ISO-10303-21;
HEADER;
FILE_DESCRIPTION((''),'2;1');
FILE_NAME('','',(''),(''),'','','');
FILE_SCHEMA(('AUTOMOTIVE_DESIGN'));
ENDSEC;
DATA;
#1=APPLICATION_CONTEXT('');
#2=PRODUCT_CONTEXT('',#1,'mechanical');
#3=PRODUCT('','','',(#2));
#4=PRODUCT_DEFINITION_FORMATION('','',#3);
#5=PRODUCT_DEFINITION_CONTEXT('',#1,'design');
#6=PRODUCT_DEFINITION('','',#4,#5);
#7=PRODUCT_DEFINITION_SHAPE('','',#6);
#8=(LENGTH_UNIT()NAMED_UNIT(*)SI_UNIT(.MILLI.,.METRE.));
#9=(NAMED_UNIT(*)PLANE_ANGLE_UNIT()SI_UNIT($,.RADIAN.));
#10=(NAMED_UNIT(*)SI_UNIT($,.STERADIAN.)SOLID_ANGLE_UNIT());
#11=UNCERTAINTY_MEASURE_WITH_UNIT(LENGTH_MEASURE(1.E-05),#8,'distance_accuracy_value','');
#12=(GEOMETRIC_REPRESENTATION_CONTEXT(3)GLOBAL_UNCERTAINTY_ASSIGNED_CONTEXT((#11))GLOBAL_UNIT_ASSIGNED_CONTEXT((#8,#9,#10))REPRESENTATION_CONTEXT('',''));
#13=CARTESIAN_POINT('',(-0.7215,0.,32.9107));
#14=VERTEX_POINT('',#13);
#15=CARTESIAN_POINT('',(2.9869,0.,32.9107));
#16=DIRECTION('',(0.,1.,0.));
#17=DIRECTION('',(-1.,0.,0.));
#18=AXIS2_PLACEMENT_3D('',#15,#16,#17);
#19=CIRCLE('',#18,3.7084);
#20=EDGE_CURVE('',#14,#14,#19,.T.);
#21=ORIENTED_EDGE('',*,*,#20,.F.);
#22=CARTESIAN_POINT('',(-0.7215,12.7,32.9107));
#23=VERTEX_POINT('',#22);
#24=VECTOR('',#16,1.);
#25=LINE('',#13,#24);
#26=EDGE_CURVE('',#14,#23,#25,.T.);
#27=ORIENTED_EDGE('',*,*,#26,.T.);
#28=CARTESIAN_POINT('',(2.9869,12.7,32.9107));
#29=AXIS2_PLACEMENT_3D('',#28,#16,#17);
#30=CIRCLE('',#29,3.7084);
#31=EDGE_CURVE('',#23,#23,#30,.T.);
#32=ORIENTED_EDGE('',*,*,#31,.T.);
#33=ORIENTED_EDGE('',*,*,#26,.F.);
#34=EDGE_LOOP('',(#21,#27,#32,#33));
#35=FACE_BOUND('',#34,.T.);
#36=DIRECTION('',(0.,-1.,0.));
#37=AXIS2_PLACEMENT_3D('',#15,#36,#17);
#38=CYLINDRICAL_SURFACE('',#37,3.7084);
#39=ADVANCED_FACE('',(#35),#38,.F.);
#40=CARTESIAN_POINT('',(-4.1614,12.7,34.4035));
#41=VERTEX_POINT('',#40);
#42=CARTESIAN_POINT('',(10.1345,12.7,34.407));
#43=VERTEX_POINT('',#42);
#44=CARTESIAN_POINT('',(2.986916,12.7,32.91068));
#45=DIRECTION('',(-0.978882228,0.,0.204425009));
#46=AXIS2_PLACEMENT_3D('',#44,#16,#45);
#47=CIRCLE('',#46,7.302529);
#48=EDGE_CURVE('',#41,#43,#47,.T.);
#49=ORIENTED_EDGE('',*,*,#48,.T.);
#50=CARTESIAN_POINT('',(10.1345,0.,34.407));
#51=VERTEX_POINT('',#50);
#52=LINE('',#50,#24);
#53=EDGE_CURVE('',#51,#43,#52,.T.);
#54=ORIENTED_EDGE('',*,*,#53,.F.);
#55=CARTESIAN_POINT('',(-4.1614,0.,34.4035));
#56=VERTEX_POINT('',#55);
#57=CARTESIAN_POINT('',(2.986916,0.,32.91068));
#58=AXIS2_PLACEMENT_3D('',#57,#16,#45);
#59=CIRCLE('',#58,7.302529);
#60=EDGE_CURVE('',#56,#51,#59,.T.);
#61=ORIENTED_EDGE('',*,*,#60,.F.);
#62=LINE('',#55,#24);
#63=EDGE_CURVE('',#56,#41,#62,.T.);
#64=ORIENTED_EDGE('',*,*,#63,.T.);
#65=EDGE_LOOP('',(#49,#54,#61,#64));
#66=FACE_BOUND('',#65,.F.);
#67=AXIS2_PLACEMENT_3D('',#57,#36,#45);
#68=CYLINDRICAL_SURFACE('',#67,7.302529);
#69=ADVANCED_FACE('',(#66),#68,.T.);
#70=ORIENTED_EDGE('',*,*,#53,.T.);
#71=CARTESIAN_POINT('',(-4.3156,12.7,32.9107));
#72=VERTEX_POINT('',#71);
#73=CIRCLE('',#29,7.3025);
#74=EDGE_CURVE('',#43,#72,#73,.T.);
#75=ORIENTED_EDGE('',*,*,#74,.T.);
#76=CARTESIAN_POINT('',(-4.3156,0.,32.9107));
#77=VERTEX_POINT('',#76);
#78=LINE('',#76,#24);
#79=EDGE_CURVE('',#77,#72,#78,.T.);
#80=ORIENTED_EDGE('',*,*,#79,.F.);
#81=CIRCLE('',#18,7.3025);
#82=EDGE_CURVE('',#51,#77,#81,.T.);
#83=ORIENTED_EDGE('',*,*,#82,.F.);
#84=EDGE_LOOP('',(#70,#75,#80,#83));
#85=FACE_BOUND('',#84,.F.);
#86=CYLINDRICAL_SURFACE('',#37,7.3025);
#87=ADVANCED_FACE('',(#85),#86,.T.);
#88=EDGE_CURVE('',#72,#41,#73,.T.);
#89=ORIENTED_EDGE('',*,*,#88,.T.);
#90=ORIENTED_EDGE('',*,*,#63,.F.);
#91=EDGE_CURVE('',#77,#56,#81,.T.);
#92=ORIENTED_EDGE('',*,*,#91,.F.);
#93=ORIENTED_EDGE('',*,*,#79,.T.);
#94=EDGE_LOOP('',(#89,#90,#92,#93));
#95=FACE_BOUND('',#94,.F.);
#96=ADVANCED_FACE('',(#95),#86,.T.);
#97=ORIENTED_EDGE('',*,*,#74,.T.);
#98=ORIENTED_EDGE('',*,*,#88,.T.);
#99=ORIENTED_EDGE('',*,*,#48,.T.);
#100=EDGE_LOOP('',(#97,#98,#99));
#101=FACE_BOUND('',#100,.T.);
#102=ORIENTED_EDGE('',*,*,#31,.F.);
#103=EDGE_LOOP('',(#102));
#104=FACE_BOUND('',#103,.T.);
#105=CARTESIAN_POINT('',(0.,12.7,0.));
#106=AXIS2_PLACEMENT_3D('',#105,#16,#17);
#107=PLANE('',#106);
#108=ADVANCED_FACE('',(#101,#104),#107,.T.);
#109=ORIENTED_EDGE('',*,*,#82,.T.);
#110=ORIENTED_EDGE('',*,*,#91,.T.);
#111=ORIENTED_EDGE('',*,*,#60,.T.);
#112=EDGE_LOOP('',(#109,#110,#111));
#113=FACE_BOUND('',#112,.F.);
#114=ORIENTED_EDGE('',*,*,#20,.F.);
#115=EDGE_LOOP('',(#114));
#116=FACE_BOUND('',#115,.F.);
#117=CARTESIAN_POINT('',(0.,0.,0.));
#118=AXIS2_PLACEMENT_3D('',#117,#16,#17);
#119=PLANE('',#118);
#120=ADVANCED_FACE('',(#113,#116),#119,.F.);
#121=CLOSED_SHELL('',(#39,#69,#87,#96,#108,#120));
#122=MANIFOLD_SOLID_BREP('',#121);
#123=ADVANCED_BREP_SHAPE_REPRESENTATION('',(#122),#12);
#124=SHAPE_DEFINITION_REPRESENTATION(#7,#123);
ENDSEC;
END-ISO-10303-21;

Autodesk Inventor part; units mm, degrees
ref_plane "YZ Plane" through (0, 0, 0) normal (1, 0, 0) x (0, 1, 0)
ref_plane "XZ Plane" through (0, 0, 0) normal (0, 1, 0) x (-1, 0, 0)
ref_plane "XY Plane" through (0, 0, 0) normal (0, 0, 1) x (1, 0, 0)
sketch "Sketch1" plane through (0, 0, 0) normal (0, 1, 0) x (-1, 0, 0)
  circle A0 centre (-2.9869, -30.5893) radius 3.7084
  circle A1 centre (-2.9869, 32.9107) radius 3.7084
  arc A2 (6.5381, 22.7507) -> (6.4048, 23.6608) centre (3.3631, 22.7507) ccw
  line L0 (4.1614, 34.4035) -> (6.4048, 23.6608)
  arc A3 (4.1614, 34.4035) -> (-10.1345, 34.407) centre (-2.9869, 32.9107) ccw
  line L1 (-12.3991, 23.5895) -> (-10.1345, 34.407)
  arc A4 (-12.3991, 23.5895) -> (-12.5119, 22.7507) centre (-9.3369, 22.7507) ccw
  line L2 (-12.5119, -21.6993) -> (-12.5119, 22.7507)
  arc A5 (-12.5119, -21.6993) -> (-12.3453, -22.7142) centre (-9.3369, -21.6993) ccw
  line L3 (-10.0947, -32.2643) -> (-12.3453, -22.7142)
  arc A6 (-10.0947, -32.2643) -> (4.1209, -32.2643) centre (-2.9869, -30.5893) ccw
  line L4 (6.3715, -22.7142) -> (4.1209, -32.2643)
  arc A7 (6.3715, -22.7142) -> (6.5381, -21.6993) centre (3.3631, -21.6993) ccw
  line L5 (6.5381, 22.7507) -> (6.5381, -21.6993)
  circle A8 centre (-2.9869, 32.9107) radius 7.3025
  point P0 (0, 0)
  point P1 (-2.9869, 7.5107)
  point P2 (-10.1345, 34.407)
extrude "Extrusion1" add sketch "Sketch1" along normal blind 12.7 contours A8 A3
properties part number "Standoff_Test"
